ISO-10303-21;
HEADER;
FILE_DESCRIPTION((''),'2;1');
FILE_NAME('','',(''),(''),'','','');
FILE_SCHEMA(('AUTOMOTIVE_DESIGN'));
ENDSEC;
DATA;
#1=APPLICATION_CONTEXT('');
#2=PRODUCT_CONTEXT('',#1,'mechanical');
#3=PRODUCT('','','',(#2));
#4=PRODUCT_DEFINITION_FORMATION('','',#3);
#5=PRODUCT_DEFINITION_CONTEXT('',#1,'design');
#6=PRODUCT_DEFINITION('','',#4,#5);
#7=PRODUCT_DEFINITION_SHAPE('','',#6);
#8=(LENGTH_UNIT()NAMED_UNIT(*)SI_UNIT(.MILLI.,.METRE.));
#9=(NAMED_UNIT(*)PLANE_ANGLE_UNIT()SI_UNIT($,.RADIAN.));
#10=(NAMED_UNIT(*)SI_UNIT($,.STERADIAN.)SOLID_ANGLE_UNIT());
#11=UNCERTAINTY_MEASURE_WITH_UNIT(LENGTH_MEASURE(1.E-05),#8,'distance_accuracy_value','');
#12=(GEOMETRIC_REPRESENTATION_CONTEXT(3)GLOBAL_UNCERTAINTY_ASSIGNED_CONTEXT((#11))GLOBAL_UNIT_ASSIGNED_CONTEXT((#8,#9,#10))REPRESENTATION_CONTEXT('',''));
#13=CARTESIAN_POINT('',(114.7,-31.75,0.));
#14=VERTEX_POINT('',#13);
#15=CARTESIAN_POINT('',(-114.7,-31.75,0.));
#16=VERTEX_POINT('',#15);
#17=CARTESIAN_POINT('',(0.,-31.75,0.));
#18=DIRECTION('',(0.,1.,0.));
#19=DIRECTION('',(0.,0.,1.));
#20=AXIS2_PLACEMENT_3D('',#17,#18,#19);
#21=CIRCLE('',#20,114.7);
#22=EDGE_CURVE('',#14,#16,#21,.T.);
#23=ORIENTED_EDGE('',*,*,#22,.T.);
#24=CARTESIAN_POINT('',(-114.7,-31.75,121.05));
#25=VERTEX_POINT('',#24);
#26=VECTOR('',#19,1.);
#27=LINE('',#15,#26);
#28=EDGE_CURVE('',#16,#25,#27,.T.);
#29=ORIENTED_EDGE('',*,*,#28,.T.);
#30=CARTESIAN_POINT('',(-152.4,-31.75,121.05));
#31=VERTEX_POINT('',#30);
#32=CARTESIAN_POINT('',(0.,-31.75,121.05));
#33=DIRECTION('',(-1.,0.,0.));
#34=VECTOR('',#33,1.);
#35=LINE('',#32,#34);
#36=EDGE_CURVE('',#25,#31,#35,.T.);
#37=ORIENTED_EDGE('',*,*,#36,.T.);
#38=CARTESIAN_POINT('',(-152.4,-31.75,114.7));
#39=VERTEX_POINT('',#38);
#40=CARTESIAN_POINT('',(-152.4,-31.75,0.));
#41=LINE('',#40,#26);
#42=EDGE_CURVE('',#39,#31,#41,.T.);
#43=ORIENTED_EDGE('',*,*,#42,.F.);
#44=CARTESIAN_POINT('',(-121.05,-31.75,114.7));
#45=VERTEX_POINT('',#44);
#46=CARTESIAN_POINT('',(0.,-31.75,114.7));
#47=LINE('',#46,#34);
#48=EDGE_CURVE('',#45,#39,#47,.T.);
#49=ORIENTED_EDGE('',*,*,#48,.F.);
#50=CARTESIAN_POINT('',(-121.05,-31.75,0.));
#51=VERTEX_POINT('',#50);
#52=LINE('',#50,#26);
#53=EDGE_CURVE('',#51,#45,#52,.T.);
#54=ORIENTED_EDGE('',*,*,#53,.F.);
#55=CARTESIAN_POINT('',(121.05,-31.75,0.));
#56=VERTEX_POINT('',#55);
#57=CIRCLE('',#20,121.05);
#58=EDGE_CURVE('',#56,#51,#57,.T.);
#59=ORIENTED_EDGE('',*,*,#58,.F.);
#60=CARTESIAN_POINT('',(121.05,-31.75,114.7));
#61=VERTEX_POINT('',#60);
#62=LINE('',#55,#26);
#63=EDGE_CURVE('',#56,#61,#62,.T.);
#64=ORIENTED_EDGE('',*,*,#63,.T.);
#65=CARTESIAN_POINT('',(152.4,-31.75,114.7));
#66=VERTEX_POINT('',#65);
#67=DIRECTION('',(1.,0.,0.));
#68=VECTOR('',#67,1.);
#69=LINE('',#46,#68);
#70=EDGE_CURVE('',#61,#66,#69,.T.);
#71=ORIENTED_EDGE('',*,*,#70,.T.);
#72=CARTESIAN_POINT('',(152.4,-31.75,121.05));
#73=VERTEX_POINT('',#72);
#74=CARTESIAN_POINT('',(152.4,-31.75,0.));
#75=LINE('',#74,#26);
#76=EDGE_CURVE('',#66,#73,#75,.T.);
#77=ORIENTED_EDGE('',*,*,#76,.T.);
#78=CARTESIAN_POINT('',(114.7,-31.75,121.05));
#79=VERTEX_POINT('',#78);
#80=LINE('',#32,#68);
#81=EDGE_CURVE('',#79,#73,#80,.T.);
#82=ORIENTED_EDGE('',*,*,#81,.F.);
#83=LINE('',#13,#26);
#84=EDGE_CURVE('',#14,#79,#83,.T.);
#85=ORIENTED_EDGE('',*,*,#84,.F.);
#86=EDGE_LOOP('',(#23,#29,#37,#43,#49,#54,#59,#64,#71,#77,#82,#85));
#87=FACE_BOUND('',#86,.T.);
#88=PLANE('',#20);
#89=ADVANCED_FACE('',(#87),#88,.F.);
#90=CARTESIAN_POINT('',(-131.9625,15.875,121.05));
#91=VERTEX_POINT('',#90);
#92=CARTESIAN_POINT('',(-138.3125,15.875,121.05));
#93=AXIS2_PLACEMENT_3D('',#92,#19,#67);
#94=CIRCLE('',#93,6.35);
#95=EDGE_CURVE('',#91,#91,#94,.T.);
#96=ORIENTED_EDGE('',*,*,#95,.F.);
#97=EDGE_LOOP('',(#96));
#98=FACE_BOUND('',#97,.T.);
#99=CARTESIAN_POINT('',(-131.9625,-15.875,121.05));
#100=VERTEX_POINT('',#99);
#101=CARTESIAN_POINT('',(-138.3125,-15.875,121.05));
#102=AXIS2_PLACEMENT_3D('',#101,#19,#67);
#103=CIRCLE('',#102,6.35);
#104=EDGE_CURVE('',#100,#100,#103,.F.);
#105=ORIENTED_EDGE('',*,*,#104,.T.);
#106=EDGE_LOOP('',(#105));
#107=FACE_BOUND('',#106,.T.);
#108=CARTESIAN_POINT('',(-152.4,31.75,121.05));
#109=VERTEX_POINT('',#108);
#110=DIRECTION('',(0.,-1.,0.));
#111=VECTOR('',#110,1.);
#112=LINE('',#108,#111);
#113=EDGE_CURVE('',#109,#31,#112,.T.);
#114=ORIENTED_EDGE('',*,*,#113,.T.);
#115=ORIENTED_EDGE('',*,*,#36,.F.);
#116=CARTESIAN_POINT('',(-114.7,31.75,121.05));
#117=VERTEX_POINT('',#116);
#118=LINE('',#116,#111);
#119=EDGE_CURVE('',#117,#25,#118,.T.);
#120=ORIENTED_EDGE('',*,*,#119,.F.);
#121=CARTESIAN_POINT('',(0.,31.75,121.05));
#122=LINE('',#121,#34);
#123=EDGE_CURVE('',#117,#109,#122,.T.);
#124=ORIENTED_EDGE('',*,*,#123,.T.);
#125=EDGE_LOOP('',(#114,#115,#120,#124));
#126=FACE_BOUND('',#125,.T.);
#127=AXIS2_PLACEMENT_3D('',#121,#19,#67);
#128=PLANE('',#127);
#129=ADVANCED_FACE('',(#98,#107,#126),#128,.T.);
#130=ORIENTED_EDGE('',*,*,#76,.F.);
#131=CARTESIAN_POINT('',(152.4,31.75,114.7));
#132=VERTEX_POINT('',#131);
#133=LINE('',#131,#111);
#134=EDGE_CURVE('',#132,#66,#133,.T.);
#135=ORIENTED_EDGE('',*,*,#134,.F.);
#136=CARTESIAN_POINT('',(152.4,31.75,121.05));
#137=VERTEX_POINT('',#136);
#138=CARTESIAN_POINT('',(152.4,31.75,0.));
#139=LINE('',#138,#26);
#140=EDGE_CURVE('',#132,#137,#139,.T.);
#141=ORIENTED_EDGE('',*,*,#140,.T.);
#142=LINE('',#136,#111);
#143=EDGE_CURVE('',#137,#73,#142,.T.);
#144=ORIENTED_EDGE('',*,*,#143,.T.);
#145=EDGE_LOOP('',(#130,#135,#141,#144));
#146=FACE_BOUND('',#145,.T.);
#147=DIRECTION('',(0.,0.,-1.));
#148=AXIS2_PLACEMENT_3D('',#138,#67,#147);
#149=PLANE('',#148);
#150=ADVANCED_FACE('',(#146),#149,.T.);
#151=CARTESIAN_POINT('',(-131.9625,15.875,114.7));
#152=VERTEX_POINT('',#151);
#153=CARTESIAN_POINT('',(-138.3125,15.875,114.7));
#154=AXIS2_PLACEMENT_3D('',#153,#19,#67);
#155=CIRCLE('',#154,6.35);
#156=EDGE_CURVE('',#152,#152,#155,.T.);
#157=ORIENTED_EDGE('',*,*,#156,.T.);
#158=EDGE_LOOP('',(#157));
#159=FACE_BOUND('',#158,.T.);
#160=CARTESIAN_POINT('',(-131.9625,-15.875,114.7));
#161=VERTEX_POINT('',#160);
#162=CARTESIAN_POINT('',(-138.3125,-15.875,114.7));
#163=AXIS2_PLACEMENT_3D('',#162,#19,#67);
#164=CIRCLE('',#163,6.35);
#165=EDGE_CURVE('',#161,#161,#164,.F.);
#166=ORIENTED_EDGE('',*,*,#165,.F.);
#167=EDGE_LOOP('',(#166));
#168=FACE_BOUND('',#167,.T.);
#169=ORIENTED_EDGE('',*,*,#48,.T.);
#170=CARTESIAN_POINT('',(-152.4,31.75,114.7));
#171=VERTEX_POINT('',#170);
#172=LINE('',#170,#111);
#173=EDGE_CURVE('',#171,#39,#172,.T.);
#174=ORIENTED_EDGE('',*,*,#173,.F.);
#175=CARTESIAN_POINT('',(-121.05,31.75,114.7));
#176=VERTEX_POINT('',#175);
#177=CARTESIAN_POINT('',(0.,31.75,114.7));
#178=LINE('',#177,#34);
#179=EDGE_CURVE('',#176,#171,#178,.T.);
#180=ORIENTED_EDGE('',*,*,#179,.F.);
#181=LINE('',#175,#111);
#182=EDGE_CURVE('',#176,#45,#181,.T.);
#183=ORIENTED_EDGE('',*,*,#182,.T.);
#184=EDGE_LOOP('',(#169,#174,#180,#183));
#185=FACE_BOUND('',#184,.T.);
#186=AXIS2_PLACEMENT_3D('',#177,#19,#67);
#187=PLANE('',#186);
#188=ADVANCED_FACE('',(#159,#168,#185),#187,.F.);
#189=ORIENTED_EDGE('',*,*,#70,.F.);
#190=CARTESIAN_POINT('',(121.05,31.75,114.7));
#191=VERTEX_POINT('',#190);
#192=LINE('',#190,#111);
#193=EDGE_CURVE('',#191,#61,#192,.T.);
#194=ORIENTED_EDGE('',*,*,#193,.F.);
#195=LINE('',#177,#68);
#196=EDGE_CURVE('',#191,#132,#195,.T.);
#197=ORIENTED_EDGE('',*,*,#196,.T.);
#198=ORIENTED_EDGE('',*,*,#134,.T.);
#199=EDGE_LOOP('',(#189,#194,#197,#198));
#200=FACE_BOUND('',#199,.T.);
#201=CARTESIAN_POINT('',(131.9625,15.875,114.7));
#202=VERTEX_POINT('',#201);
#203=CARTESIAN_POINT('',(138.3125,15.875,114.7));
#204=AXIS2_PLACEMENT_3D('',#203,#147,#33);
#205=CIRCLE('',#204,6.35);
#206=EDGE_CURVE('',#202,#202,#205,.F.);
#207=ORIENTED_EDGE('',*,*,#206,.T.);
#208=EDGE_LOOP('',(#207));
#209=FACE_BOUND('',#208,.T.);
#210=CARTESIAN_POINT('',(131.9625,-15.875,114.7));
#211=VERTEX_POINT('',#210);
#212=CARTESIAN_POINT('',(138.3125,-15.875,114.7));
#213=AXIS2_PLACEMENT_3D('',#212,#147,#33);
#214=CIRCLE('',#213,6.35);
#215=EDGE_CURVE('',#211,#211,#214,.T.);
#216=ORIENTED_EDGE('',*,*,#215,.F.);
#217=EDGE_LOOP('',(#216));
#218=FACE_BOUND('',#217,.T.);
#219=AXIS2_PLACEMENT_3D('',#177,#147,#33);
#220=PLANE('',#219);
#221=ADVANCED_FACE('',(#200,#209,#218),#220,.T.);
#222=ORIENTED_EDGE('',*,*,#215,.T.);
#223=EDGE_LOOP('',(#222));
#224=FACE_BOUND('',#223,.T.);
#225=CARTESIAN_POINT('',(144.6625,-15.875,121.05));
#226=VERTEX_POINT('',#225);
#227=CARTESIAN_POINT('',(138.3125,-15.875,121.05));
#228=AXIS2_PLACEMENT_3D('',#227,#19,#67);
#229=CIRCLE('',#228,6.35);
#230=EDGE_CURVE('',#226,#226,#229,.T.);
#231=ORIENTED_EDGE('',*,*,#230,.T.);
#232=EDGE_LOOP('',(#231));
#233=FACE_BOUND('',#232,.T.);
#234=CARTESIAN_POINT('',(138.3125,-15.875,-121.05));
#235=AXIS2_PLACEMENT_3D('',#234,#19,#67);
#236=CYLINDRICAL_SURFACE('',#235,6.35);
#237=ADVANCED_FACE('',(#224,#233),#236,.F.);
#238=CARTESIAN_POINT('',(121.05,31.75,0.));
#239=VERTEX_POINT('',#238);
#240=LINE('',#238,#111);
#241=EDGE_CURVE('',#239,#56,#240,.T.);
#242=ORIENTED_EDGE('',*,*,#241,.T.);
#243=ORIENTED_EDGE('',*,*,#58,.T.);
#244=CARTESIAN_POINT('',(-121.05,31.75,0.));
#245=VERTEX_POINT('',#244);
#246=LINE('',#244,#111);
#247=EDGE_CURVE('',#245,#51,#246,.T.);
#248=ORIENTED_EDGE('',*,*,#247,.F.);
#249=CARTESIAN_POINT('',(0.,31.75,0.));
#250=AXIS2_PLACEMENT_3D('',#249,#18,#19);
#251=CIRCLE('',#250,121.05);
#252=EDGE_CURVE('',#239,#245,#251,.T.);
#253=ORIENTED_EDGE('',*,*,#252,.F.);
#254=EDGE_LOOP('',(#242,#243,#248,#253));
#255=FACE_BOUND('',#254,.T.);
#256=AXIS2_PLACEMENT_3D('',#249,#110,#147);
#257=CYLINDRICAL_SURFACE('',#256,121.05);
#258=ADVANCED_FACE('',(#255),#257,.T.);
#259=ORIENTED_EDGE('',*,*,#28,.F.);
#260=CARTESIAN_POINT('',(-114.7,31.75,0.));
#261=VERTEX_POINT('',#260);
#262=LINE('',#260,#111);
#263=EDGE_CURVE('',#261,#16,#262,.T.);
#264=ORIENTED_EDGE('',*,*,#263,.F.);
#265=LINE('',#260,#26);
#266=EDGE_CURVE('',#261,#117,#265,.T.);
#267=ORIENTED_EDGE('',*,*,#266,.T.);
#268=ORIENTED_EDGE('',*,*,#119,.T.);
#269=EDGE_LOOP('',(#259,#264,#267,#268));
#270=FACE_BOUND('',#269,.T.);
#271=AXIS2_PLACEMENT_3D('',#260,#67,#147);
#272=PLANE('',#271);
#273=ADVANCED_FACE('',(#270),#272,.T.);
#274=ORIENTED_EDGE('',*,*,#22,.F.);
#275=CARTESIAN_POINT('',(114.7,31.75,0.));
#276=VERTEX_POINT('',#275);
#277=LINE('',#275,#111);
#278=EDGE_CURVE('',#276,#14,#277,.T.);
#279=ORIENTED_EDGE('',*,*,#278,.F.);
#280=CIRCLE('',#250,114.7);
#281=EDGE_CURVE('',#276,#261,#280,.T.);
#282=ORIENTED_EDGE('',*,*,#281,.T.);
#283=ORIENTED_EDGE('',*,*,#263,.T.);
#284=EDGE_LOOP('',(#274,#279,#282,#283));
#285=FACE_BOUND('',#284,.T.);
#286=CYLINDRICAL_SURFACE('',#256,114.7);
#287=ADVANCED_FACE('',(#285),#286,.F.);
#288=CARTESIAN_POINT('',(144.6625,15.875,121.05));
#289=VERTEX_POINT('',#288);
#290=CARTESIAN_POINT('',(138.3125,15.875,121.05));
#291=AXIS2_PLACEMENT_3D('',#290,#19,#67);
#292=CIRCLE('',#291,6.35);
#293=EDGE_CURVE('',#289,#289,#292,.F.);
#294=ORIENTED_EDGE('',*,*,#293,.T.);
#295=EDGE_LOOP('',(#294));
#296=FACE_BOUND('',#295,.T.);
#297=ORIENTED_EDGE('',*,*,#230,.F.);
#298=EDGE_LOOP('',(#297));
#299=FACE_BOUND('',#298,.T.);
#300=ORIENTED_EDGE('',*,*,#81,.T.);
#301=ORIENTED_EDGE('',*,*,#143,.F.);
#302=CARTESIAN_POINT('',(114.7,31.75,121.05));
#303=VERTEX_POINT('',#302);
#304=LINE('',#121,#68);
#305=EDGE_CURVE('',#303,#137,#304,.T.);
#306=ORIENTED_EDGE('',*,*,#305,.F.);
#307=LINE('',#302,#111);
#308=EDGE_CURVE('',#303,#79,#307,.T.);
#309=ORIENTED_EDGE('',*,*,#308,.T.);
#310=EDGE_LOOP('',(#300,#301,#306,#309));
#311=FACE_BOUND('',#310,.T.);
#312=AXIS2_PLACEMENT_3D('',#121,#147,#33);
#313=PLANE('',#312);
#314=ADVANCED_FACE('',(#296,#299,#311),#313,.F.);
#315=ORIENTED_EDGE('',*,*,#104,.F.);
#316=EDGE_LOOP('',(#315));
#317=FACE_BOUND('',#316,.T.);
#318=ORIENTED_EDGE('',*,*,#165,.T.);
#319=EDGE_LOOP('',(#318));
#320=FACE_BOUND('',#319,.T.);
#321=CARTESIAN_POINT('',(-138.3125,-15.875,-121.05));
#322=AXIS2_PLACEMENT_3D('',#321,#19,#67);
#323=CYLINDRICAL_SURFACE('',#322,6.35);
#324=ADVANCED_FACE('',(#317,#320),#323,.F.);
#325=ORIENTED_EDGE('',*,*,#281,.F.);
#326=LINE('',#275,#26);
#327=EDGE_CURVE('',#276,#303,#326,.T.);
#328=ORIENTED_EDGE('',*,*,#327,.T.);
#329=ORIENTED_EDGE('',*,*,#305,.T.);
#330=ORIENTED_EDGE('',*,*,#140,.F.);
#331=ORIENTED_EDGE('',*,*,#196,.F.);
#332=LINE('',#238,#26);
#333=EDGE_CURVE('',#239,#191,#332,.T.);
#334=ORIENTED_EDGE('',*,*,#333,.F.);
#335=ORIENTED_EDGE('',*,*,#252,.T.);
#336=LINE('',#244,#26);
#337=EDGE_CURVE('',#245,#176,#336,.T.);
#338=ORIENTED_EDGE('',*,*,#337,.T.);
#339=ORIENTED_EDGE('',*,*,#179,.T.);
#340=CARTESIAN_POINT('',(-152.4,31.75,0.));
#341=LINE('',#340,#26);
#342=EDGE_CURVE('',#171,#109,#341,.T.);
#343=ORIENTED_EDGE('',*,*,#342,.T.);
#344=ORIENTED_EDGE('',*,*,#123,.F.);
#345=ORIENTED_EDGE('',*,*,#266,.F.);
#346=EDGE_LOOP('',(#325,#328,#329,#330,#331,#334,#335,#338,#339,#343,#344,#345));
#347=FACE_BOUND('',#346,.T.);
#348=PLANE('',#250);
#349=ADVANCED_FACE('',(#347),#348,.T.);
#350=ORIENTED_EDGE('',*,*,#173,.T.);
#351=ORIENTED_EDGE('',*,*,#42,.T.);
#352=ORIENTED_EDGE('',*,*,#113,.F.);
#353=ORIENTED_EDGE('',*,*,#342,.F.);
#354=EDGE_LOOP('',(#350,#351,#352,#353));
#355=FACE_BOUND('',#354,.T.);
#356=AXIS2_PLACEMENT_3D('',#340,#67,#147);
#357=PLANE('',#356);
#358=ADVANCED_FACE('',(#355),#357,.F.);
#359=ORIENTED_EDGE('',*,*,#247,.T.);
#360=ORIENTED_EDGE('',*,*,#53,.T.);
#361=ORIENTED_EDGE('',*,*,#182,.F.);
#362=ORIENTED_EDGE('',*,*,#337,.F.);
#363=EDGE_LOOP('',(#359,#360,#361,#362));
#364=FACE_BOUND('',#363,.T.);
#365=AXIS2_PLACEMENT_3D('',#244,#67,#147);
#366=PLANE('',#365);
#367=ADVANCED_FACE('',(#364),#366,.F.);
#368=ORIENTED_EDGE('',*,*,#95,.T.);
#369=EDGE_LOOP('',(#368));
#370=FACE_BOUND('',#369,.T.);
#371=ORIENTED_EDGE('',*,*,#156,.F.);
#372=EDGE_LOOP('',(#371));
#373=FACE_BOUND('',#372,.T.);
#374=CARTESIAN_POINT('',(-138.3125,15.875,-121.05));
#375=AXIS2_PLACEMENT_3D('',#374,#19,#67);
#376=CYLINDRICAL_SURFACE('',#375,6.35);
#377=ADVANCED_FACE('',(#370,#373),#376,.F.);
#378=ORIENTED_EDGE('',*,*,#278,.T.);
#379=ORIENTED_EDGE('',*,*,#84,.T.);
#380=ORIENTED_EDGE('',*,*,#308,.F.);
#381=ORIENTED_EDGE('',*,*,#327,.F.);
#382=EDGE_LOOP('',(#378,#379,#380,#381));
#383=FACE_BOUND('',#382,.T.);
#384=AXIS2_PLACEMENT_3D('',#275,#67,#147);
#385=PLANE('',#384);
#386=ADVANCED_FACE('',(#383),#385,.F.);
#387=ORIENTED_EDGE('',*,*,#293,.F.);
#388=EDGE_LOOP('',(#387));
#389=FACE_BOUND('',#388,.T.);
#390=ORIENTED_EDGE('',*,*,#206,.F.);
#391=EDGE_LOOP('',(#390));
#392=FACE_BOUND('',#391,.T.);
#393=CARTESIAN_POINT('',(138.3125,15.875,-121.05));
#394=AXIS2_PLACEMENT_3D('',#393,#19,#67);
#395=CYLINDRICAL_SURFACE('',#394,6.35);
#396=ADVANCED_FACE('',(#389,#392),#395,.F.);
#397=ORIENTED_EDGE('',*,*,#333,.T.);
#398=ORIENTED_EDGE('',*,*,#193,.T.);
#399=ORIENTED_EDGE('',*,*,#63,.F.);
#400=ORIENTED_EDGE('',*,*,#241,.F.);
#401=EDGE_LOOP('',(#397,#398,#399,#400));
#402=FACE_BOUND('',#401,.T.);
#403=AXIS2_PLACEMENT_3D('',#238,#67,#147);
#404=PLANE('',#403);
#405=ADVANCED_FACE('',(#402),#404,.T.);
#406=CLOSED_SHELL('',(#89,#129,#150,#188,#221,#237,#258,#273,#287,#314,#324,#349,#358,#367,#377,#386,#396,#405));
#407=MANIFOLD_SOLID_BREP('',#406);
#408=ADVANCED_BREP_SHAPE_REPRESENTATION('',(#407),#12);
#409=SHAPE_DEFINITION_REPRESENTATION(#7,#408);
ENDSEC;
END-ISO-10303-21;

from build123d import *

# Parameters (mm, degrees)
BOSS_EXTRUDE1_DEPTH = 31.75
SKETCH15_R          = 6.35
CUT_EXTRUDE1_DEPTH  = 288.83021471


with BuildPart() as part:
    # Sketch1 → Boss-Extrude1 (new, symmetric)
    with BuildSketch(Plane(origin=(0, 0, 0), x_dir=(1, 0, 0), z_dir=(0, 1, 0))):
        with BuildLine():
            Line((-114.7, -121.05), (-114.7, 0))
            ThreePointArc((-114.7, 0), (0, 114.7), (114.7, 0))
            Line((114.7, 0), (114.7, -121.05))
            Line((114.7, -121.05), (152.4, -121.05))
            Line((152.4, -121.05), (152.4, -114.7))
            Line((152.4, -114.7), (121.05, -114.7))
            Line((121.05, -114.7), (121.05, 0))
            ThreePointArc((121.05, 0), (0, 121.05), (-121.05, 0))
            Line((-121.05, 0), (-121.05, -12.7))
            Line((-121.05, -12.7), (-121.05, -114.7))
            Line((-121.05, -114.7), (-152.4, -114.7))
            Line((-152.4, -114.7), (-152.4, -121.05))
            Line((-152.4, -121.05), (-114.7, -121.05))
        make_face()
    extrude(amount=BOSS_EXTRUDE1_DEPTH, both=True)

    # Sketch15 → Cut-Extrude1 (cut, through all)
    with BuildSketch(Plane.XY.offset(121.05)):
        with Locations((-138.3125, 15.875)):
            Circle(SKETCH15_R)
        with Locations((-138.3125, -15.875)):
            Circle(SKETCH15_R)
        with Locations((138.3125, -15.875)):
            Circle(SKETCH15_R)
        with Locations((138.3125, 15.875)):
            Circle(SKETCH15_R)
    extrude(amount=-CUT_EXTRUDE1_DEPTH, mode=Mode.SUBTRACT)


solid = part.part
